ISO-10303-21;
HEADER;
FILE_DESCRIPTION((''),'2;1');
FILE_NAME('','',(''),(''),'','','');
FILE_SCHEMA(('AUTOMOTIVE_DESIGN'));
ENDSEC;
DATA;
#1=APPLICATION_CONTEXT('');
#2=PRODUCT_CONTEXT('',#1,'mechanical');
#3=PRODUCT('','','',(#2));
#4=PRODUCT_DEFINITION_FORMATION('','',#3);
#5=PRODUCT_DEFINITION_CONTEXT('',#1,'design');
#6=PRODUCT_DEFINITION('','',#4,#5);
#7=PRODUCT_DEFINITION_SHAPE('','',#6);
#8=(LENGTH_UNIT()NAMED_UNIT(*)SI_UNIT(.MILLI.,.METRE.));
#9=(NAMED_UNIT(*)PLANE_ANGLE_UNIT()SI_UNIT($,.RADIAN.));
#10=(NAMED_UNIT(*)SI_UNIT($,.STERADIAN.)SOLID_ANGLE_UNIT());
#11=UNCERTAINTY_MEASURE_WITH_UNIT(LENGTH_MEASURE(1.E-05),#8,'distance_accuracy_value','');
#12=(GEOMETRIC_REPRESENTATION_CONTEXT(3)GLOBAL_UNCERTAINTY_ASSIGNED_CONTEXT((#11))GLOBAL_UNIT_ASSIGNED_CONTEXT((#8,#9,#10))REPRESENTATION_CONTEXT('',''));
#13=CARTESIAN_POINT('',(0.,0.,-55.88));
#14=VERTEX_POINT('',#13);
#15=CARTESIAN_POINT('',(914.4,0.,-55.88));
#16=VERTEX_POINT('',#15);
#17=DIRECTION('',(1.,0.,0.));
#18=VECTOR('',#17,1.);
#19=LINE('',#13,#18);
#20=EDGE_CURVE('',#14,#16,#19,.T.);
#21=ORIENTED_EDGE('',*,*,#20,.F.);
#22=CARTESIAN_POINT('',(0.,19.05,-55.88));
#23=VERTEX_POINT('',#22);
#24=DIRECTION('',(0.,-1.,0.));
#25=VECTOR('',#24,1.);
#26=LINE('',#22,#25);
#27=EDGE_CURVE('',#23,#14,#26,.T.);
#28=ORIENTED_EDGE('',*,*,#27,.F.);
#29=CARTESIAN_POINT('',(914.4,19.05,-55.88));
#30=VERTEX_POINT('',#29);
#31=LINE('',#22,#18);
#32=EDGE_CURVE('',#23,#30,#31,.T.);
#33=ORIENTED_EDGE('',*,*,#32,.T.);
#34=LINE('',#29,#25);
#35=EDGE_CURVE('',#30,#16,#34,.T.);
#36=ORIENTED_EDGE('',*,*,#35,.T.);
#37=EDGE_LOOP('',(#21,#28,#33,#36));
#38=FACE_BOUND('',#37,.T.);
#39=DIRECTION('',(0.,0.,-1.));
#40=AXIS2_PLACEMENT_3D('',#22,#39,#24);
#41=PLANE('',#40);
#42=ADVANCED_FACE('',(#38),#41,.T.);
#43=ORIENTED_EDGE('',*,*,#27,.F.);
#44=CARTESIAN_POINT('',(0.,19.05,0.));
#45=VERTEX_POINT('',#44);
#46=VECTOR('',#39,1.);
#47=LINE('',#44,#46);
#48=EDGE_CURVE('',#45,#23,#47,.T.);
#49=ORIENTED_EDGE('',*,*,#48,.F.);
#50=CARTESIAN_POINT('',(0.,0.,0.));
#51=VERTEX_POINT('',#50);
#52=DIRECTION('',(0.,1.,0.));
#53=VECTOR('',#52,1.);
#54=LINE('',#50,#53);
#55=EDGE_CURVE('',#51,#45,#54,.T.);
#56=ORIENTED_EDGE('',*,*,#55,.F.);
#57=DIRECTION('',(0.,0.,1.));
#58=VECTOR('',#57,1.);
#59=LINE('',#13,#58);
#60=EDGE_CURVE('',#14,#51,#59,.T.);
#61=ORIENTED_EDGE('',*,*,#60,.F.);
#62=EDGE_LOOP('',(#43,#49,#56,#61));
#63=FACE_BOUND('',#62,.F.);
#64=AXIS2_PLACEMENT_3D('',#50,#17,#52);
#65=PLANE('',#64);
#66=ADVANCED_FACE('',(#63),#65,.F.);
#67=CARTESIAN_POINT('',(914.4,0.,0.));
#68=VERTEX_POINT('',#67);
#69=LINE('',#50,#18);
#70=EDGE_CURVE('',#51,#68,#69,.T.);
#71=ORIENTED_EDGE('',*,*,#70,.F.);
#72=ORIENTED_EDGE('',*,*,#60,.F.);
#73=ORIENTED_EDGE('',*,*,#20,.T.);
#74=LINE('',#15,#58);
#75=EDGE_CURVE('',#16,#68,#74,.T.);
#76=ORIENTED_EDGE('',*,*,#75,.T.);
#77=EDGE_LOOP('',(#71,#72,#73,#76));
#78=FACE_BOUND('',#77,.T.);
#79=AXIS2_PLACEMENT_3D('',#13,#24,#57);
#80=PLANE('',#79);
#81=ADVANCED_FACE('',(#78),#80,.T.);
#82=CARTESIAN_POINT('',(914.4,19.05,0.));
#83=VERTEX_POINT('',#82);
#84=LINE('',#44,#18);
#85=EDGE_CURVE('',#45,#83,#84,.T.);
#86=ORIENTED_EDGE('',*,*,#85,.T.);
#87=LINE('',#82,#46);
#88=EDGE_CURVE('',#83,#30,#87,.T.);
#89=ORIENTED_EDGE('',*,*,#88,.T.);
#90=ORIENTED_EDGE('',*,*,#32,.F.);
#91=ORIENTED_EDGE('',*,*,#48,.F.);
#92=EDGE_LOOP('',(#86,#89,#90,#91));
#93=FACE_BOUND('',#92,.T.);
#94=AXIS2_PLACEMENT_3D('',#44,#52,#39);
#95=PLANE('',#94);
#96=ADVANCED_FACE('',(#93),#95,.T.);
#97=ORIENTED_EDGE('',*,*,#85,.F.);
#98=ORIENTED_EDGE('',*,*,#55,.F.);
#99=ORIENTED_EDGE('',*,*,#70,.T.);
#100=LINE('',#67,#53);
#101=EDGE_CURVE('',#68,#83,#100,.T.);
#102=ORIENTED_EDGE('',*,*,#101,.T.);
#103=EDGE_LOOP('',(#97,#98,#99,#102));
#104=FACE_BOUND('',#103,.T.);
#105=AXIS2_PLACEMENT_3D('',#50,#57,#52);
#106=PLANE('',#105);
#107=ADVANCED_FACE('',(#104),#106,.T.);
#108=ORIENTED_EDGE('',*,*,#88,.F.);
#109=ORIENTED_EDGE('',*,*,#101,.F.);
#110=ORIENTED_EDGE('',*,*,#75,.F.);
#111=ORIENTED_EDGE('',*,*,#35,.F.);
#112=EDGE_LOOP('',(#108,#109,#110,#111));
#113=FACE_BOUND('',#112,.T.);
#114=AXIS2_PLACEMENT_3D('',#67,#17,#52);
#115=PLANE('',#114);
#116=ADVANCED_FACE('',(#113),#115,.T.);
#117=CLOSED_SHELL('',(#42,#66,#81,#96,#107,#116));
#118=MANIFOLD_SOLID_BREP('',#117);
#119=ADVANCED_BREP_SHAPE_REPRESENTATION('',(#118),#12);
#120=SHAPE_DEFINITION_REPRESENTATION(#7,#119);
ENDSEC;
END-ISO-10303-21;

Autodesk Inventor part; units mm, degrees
ref_plane "YZ Plane" through (0, 0, 0) normal (1, 0, 0) x (0, 1, 0)
ref_plane "XZ Plane" through (0, 0, 0) normal (0, 1, 0) x (-1, 0, 0)
ref_plane "XY Plane" through (0, 0, 0) normal (0, 0, 1) x (1, 0, 0)
sketch "Sketch1" plane through (0, 0, 0) normal (1, 0, 0) x (0, 1, 0)
  line L0 (0, 0) -> (19.05, 0)
  line L1 (19.05, 0) -> (19.05, -55.88)
  line L2 (19.05, -55.88) -> (0, -55.88)
  line L3 (0, -55.88) -> (0, 0)
  dimension "d0" = 19.05
  dimension "d1" = 55.88
extrude "Extrusion1" add sketch "Sketch1" along normal blind 914.4
properties part number "small bourd"
